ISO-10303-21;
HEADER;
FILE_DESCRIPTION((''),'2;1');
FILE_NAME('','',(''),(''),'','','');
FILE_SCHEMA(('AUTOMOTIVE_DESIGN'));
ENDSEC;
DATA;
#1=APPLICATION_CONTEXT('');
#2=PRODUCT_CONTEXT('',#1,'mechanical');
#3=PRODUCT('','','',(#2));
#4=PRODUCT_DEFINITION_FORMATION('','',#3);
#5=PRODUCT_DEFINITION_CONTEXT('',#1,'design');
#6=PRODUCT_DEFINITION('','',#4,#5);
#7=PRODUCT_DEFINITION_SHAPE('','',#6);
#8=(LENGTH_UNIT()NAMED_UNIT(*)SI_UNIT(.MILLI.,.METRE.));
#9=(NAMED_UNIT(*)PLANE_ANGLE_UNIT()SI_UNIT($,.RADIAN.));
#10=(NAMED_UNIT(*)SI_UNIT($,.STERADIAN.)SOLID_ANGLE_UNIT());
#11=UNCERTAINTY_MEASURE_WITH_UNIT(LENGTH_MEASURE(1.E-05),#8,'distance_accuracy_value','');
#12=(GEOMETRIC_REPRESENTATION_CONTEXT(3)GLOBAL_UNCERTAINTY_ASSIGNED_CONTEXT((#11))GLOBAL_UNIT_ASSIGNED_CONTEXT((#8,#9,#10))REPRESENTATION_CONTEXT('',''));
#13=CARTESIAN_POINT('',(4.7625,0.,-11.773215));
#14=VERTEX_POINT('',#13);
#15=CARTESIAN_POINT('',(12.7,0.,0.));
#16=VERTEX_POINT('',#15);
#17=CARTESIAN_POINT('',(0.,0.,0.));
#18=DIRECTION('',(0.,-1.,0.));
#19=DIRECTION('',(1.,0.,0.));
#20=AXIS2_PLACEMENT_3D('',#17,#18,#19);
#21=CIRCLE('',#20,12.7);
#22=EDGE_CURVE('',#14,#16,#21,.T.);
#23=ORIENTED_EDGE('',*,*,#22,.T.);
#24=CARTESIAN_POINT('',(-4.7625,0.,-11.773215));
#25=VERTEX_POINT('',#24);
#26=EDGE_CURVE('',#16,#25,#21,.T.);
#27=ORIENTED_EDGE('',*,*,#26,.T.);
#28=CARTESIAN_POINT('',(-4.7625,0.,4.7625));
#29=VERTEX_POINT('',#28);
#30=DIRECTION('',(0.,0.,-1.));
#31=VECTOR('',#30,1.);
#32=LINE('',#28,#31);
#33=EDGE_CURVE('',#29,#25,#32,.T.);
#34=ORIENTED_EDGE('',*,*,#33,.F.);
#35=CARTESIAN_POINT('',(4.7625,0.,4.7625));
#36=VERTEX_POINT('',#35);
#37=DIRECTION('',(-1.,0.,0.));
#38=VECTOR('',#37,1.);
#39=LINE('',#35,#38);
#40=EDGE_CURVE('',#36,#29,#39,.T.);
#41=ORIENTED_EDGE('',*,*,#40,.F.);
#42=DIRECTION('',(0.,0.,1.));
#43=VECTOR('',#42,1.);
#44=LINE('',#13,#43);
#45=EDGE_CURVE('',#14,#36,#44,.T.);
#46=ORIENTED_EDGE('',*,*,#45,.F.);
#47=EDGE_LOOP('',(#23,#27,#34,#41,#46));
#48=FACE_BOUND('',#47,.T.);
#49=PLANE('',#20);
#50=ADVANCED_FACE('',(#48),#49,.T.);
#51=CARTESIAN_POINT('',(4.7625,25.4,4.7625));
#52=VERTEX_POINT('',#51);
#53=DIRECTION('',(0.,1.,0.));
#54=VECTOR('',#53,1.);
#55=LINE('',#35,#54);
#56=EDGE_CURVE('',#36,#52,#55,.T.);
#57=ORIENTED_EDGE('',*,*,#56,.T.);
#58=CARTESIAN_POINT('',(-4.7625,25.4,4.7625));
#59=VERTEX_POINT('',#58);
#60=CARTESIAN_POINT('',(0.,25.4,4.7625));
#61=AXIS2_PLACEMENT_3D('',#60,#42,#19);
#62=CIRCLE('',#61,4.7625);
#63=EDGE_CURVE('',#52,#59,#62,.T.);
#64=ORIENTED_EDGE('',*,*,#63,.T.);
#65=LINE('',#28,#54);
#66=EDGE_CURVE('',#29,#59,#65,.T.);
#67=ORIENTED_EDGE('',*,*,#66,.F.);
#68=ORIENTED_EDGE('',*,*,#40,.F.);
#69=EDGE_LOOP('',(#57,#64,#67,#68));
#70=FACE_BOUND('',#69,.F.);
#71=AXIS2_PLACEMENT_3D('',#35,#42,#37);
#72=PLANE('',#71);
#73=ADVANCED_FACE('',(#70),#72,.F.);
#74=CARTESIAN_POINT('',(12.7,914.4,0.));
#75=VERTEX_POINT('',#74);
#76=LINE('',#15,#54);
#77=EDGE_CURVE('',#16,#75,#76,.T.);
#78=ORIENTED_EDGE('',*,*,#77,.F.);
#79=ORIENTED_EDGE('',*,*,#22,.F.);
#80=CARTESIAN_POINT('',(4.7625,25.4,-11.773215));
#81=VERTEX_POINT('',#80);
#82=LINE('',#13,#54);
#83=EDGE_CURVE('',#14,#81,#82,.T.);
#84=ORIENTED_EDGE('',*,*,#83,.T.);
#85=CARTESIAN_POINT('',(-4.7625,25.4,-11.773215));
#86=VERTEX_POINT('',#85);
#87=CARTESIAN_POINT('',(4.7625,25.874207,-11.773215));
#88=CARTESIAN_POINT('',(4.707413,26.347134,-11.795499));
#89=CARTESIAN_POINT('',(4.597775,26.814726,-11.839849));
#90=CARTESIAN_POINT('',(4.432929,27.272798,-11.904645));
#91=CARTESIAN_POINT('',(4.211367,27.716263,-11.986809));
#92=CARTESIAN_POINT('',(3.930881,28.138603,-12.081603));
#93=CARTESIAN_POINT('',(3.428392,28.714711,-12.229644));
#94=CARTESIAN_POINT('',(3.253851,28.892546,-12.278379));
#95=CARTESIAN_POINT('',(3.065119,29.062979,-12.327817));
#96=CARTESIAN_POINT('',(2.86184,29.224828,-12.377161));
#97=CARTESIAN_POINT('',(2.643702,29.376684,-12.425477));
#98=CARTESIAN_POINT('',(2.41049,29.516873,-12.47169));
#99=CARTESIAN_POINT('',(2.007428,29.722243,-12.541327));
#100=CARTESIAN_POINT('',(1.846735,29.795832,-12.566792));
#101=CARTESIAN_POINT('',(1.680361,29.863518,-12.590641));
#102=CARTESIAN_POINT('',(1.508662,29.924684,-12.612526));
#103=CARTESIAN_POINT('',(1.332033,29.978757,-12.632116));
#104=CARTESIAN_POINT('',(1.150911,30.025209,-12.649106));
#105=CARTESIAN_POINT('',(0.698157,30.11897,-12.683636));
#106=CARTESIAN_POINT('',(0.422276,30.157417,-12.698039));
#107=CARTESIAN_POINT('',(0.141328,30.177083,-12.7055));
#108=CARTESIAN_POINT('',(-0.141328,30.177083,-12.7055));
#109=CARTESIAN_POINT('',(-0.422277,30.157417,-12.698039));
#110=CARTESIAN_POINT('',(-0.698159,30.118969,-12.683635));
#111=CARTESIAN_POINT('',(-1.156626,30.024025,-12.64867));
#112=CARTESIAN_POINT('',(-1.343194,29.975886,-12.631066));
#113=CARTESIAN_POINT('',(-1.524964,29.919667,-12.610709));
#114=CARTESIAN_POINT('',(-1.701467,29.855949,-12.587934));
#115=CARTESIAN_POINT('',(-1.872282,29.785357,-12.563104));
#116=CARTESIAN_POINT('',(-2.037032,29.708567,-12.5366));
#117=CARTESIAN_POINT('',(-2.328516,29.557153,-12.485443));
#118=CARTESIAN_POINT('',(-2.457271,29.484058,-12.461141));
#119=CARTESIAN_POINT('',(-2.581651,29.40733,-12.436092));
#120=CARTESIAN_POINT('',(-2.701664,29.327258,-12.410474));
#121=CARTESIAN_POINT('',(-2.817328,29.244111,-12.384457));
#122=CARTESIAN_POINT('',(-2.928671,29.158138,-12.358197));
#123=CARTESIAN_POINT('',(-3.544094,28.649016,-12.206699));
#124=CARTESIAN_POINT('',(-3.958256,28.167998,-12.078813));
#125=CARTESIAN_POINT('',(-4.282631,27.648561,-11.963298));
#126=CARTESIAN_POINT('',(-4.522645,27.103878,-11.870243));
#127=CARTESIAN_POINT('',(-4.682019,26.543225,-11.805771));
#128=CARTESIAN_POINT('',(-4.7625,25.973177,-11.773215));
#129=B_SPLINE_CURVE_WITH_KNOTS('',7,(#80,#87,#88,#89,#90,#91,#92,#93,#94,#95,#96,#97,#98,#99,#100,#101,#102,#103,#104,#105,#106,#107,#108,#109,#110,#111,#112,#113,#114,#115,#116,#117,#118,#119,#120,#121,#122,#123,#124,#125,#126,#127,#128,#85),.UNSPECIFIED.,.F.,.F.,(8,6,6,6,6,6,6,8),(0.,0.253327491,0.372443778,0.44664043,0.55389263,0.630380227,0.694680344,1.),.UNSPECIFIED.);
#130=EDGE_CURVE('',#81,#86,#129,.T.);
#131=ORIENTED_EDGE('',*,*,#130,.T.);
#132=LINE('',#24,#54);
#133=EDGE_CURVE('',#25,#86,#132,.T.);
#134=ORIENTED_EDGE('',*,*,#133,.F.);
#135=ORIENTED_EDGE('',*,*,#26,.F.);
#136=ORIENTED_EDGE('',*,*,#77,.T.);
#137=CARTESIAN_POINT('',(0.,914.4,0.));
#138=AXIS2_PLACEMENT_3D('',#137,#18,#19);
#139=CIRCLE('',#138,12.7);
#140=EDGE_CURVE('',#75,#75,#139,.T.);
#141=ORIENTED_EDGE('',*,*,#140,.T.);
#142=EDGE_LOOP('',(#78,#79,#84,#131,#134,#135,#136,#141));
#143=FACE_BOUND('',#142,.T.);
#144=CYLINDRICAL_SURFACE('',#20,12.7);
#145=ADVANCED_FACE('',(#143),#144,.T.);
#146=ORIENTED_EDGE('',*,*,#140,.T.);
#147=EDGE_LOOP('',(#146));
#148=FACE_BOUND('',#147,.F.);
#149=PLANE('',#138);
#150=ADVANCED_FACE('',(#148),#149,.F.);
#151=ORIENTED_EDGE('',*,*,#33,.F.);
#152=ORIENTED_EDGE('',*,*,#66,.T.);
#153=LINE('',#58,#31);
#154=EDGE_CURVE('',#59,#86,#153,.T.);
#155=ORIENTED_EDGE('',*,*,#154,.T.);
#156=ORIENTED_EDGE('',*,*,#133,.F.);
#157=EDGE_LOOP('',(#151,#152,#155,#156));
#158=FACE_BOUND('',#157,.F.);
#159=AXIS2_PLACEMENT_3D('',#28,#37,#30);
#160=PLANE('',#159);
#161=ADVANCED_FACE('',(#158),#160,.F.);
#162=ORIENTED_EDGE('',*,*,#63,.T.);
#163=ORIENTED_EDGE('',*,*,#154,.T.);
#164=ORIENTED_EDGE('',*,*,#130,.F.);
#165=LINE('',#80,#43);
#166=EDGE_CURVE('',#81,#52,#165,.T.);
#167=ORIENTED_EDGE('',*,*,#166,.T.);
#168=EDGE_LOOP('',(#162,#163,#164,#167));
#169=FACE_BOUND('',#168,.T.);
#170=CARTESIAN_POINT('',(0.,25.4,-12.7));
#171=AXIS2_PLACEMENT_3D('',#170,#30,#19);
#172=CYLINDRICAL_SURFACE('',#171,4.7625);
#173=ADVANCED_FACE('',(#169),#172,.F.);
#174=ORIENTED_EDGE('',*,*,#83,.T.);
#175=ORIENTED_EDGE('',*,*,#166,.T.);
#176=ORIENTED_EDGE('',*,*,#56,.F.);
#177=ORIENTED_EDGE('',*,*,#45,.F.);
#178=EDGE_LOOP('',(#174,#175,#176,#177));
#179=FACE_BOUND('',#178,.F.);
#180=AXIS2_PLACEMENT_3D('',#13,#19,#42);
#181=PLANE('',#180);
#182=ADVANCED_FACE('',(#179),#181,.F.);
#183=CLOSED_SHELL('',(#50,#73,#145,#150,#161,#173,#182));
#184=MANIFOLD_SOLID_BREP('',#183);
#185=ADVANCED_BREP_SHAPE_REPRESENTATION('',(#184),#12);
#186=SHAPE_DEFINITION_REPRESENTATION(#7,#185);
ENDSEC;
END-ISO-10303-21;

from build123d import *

# Parameters (mm, degrees)
F0_R     = 12.7
F1_DEPTH = 914.4
F3_DEPTH = 25.4
F6_DEPTH = 17.4625


with BuildPart() as f1:
    # F0 (on Front) → F1 (new body)
    with BuildSketch(Plane.XZ):
        Circle(F0_R)
    extrude(amount=-F1_DEPTH)

    # F2 (on face) → F3 (cut)
    with BuildSketch(Plane.XZ):
        with BuildLine():
            Line((4.7625, 4.7625), (-4.7625, 4.7625))
            Line((-4.7625, 4.7625), (-4.7625, -11.773215))
            ThreePointArc((-4.7625, -11.773215), (0, -12.7), (4.7625, -11.773215))
            Line((4.7625, -11.773215), (4.7625, 4.7625))
        make_face()
    extrude(amount=-F3_DEPTH, mode=Mode.SUBTRACT)

    # F5 (on offset) → F6 (cut, through all)
    with BuildSketch(Plane.XY.offset(-12.7)):
        with BuildLine():
            ThreePointArc((4.7625, 25.4), (0, 30.1625), (-4.7625, 25.4))
            Line((-4.7625, 25.4), (4.7625, 25.4))
        make_face()
    extrude(amount=F6_DEPTH, mode=Mode.SUBTRACT)


solid = f1.part
